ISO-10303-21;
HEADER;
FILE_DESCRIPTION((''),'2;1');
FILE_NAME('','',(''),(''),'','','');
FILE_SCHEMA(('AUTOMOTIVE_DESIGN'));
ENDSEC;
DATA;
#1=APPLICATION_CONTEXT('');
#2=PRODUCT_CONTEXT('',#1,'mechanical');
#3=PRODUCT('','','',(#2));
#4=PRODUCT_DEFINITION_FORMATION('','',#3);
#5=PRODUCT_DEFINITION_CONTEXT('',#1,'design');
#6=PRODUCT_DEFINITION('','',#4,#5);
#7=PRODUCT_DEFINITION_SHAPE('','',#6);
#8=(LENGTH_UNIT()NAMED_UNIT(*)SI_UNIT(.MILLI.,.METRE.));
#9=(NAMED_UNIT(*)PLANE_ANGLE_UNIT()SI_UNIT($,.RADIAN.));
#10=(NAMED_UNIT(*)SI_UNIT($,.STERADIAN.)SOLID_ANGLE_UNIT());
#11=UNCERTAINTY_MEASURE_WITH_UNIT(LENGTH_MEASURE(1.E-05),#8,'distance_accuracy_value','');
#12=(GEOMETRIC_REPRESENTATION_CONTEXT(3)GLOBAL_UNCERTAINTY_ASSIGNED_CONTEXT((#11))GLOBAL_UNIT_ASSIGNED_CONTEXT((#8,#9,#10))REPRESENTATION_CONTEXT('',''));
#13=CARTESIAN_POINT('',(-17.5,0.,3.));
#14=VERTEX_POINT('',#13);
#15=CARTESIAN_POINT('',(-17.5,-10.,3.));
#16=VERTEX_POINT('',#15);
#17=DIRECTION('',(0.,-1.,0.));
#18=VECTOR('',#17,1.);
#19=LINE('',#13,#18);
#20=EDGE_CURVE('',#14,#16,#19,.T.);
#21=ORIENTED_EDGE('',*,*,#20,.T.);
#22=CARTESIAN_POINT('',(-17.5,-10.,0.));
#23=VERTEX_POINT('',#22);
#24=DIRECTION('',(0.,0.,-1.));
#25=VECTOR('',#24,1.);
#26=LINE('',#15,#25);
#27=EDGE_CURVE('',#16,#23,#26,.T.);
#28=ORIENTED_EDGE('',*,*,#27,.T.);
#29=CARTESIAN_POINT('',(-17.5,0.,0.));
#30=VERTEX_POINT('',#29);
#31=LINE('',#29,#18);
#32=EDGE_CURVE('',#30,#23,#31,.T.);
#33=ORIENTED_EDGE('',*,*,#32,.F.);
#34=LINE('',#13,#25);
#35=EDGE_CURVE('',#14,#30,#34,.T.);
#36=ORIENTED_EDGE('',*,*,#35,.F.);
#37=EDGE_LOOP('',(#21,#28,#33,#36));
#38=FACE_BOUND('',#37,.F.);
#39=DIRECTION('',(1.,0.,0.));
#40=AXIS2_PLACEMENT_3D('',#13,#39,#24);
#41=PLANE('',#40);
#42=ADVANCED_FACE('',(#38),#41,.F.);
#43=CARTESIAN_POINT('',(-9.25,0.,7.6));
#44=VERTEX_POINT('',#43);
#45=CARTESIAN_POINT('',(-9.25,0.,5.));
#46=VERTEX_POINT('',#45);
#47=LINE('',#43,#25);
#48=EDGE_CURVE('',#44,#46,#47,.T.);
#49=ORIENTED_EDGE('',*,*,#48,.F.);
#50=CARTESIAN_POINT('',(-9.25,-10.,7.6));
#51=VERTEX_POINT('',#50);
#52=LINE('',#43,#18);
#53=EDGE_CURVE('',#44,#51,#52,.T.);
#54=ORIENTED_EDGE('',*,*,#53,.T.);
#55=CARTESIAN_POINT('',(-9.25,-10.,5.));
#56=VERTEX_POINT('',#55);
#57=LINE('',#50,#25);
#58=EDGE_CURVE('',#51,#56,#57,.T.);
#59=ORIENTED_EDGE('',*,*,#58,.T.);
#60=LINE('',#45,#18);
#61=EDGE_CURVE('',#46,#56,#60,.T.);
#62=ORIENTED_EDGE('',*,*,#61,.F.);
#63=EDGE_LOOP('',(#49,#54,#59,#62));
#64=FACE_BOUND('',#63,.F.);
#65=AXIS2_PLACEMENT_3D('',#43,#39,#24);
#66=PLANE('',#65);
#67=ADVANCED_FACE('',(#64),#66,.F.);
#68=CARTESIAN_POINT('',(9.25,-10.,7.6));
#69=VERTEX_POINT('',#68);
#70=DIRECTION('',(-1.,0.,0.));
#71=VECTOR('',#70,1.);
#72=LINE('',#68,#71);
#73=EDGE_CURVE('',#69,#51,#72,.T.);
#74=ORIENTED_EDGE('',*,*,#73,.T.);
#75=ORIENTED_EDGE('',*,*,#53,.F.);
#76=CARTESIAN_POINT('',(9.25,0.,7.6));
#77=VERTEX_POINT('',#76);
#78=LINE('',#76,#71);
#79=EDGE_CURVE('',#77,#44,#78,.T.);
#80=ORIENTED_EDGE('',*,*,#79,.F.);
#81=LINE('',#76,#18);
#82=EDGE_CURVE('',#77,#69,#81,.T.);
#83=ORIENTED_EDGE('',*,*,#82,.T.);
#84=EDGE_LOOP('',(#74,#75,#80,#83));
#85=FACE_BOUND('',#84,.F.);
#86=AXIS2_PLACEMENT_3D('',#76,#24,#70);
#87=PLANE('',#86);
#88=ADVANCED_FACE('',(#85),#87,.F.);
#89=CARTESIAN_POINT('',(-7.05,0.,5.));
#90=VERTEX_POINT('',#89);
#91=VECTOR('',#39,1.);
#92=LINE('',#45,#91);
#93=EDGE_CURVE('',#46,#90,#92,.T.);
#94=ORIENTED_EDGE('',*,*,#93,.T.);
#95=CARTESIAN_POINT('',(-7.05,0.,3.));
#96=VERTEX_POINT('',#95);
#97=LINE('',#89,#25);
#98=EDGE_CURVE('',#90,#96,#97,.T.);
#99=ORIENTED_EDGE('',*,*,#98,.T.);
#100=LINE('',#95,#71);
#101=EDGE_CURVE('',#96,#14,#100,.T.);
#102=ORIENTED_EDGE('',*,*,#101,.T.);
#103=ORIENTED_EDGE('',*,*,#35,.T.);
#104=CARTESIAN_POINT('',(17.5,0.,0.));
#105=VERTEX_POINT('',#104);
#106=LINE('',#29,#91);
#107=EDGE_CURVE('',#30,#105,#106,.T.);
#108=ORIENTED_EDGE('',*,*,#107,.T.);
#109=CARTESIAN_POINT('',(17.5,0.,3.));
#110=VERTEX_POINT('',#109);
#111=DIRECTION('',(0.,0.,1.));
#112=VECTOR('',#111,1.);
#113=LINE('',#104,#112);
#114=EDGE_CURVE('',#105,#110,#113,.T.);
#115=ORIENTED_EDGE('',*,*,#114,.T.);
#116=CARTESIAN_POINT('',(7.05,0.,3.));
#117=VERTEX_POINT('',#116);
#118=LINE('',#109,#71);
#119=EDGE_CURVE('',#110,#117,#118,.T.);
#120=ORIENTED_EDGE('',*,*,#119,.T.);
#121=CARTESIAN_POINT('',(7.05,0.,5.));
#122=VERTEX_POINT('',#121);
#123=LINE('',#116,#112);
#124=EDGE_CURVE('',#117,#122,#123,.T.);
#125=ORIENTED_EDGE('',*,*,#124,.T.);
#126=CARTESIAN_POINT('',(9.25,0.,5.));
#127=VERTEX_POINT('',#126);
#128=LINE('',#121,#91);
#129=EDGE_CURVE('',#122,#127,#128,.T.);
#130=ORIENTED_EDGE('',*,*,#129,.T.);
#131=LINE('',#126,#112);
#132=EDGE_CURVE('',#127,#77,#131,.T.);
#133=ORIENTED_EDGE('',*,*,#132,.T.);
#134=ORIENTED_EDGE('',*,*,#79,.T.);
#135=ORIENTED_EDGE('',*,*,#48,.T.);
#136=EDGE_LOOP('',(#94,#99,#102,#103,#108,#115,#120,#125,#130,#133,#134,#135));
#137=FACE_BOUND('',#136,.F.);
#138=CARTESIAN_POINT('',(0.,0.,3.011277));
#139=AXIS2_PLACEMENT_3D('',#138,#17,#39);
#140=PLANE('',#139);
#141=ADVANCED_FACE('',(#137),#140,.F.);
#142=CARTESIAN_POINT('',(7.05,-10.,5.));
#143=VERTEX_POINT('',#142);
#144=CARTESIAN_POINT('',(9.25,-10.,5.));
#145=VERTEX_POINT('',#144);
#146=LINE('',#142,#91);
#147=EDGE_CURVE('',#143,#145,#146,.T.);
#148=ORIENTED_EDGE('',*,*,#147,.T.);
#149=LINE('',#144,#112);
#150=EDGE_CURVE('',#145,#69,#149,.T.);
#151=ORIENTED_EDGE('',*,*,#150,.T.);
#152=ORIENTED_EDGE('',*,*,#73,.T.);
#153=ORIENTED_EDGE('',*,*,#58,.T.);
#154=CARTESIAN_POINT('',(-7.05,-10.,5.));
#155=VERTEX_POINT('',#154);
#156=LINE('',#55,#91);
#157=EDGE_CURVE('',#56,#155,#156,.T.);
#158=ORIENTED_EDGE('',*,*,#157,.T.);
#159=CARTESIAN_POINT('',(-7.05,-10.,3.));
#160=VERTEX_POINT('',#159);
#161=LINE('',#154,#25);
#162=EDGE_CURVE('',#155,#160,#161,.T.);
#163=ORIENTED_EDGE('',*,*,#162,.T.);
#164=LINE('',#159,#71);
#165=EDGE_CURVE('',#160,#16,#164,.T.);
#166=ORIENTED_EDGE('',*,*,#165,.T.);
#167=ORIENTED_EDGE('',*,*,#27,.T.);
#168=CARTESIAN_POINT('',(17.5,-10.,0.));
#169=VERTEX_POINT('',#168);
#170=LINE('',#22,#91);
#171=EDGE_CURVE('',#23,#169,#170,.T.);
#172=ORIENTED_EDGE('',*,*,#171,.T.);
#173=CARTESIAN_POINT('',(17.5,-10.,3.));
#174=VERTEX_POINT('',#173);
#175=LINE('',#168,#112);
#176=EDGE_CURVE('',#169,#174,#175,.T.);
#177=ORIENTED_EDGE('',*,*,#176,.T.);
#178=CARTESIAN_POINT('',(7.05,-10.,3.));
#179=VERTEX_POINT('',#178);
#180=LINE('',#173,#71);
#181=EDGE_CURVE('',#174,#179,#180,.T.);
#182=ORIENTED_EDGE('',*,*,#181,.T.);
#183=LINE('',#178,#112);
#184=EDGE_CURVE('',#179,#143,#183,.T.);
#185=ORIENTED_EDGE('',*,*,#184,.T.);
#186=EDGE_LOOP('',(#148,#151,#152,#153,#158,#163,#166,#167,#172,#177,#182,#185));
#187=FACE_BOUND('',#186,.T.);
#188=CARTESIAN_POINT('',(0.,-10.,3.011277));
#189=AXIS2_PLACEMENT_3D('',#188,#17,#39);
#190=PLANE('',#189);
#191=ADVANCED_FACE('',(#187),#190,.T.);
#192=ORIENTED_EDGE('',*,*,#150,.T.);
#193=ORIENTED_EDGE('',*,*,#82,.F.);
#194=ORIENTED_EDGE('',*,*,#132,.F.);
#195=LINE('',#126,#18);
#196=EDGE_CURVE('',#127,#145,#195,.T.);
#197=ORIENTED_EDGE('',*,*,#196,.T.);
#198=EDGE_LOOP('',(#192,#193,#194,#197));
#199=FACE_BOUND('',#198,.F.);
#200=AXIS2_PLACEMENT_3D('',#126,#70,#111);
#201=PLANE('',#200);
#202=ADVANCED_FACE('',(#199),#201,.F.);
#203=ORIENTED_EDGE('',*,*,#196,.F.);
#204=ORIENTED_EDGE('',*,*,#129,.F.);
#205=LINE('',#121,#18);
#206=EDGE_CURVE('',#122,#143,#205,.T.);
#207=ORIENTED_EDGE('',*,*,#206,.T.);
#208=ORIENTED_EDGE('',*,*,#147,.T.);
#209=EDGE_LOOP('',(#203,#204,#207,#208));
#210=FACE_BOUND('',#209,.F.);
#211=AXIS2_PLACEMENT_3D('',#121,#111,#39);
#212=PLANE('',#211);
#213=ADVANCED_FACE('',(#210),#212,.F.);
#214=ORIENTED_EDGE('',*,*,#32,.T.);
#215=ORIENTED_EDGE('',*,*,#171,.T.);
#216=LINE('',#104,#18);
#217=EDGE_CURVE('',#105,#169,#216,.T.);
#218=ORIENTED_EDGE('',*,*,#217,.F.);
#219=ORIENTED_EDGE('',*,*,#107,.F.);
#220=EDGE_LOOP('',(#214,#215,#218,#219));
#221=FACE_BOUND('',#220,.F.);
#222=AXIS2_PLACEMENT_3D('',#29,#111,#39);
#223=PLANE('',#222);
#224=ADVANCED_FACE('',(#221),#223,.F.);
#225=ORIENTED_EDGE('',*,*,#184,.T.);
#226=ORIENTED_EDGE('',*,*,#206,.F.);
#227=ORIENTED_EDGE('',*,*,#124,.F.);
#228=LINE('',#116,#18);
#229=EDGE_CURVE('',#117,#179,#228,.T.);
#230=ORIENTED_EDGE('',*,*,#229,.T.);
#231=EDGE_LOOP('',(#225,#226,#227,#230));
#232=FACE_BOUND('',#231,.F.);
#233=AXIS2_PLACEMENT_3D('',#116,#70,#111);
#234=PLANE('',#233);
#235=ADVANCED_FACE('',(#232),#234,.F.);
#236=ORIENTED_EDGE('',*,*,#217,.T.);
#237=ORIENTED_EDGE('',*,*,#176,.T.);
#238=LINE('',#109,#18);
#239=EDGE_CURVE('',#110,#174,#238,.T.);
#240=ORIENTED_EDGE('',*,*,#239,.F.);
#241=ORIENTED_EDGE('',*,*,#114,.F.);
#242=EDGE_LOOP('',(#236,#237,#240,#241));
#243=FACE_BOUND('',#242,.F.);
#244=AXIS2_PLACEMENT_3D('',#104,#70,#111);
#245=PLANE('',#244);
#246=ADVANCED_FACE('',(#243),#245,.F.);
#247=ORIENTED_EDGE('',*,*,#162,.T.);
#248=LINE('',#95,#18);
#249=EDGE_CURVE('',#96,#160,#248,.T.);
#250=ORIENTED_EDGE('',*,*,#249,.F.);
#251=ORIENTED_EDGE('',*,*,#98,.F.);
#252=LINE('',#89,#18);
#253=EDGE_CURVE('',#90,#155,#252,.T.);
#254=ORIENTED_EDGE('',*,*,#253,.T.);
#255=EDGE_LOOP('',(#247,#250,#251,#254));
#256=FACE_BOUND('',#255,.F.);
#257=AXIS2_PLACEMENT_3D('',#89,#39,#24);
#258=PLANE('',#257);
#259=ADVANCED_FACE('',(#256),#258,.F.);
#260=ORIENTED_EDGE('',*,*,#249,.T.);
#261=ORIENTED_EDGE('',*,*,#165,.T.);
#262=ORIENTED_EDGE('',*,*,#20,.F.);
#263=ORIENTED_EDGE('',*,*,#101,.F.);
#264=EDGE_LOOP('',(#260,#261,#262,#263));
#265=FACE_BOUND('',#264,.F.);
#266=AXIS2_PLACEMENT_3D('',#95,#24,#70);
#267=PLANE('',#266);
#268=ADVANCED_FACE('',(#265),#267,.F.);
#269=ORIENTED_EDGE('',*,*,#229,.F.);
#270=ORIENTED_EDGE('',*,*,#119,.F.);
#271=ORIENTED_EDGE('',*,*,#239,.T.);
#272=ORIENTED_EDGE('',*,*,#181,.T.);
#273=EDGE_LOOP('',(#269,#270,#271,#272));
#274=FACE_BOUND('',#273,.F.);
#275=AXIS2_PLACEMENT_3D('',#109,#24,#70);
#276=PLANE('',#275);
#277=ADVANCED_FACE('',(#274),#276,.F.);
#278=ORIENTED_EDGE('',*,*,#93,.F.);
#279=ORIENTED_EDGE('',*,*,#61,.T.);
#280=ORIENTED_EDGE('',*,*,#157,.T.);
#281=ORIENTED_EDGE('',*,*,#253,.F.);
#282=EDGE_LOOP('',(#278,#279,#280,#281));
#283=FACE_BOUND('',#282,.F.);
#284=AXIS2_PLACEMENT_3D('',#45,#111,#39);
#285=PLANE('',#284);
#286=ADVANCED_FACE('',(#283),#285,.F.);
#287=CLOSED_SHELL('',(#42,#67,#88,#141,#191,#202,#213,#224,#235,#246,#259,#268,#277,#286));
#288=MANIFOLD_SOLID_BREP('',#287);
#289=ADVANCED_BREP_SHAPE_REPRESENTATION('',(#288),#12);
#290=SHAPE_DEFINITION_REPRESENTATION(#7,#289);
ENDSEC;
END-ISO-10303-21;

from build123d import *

# Parameters (mm, degrees)
PAD_DEPTH = 10


with BuildPart() as part:
    # Sketch → Pad (new body)
    with BuildSketch(Plane.XZ):
        Polygon((9.25, 7.6), (-9.25, 7.6), (-9.25, 5), (-7.05, 5), (-7.05, 3), (-17.5, 3), (-17.5, 0), (17.5, 0), (17.5, 3), (7.05, 3), (7.05, 5), (9.25, 5), align=None)
    extrude(amount=PAD_DEPTH)


solid = part.part
